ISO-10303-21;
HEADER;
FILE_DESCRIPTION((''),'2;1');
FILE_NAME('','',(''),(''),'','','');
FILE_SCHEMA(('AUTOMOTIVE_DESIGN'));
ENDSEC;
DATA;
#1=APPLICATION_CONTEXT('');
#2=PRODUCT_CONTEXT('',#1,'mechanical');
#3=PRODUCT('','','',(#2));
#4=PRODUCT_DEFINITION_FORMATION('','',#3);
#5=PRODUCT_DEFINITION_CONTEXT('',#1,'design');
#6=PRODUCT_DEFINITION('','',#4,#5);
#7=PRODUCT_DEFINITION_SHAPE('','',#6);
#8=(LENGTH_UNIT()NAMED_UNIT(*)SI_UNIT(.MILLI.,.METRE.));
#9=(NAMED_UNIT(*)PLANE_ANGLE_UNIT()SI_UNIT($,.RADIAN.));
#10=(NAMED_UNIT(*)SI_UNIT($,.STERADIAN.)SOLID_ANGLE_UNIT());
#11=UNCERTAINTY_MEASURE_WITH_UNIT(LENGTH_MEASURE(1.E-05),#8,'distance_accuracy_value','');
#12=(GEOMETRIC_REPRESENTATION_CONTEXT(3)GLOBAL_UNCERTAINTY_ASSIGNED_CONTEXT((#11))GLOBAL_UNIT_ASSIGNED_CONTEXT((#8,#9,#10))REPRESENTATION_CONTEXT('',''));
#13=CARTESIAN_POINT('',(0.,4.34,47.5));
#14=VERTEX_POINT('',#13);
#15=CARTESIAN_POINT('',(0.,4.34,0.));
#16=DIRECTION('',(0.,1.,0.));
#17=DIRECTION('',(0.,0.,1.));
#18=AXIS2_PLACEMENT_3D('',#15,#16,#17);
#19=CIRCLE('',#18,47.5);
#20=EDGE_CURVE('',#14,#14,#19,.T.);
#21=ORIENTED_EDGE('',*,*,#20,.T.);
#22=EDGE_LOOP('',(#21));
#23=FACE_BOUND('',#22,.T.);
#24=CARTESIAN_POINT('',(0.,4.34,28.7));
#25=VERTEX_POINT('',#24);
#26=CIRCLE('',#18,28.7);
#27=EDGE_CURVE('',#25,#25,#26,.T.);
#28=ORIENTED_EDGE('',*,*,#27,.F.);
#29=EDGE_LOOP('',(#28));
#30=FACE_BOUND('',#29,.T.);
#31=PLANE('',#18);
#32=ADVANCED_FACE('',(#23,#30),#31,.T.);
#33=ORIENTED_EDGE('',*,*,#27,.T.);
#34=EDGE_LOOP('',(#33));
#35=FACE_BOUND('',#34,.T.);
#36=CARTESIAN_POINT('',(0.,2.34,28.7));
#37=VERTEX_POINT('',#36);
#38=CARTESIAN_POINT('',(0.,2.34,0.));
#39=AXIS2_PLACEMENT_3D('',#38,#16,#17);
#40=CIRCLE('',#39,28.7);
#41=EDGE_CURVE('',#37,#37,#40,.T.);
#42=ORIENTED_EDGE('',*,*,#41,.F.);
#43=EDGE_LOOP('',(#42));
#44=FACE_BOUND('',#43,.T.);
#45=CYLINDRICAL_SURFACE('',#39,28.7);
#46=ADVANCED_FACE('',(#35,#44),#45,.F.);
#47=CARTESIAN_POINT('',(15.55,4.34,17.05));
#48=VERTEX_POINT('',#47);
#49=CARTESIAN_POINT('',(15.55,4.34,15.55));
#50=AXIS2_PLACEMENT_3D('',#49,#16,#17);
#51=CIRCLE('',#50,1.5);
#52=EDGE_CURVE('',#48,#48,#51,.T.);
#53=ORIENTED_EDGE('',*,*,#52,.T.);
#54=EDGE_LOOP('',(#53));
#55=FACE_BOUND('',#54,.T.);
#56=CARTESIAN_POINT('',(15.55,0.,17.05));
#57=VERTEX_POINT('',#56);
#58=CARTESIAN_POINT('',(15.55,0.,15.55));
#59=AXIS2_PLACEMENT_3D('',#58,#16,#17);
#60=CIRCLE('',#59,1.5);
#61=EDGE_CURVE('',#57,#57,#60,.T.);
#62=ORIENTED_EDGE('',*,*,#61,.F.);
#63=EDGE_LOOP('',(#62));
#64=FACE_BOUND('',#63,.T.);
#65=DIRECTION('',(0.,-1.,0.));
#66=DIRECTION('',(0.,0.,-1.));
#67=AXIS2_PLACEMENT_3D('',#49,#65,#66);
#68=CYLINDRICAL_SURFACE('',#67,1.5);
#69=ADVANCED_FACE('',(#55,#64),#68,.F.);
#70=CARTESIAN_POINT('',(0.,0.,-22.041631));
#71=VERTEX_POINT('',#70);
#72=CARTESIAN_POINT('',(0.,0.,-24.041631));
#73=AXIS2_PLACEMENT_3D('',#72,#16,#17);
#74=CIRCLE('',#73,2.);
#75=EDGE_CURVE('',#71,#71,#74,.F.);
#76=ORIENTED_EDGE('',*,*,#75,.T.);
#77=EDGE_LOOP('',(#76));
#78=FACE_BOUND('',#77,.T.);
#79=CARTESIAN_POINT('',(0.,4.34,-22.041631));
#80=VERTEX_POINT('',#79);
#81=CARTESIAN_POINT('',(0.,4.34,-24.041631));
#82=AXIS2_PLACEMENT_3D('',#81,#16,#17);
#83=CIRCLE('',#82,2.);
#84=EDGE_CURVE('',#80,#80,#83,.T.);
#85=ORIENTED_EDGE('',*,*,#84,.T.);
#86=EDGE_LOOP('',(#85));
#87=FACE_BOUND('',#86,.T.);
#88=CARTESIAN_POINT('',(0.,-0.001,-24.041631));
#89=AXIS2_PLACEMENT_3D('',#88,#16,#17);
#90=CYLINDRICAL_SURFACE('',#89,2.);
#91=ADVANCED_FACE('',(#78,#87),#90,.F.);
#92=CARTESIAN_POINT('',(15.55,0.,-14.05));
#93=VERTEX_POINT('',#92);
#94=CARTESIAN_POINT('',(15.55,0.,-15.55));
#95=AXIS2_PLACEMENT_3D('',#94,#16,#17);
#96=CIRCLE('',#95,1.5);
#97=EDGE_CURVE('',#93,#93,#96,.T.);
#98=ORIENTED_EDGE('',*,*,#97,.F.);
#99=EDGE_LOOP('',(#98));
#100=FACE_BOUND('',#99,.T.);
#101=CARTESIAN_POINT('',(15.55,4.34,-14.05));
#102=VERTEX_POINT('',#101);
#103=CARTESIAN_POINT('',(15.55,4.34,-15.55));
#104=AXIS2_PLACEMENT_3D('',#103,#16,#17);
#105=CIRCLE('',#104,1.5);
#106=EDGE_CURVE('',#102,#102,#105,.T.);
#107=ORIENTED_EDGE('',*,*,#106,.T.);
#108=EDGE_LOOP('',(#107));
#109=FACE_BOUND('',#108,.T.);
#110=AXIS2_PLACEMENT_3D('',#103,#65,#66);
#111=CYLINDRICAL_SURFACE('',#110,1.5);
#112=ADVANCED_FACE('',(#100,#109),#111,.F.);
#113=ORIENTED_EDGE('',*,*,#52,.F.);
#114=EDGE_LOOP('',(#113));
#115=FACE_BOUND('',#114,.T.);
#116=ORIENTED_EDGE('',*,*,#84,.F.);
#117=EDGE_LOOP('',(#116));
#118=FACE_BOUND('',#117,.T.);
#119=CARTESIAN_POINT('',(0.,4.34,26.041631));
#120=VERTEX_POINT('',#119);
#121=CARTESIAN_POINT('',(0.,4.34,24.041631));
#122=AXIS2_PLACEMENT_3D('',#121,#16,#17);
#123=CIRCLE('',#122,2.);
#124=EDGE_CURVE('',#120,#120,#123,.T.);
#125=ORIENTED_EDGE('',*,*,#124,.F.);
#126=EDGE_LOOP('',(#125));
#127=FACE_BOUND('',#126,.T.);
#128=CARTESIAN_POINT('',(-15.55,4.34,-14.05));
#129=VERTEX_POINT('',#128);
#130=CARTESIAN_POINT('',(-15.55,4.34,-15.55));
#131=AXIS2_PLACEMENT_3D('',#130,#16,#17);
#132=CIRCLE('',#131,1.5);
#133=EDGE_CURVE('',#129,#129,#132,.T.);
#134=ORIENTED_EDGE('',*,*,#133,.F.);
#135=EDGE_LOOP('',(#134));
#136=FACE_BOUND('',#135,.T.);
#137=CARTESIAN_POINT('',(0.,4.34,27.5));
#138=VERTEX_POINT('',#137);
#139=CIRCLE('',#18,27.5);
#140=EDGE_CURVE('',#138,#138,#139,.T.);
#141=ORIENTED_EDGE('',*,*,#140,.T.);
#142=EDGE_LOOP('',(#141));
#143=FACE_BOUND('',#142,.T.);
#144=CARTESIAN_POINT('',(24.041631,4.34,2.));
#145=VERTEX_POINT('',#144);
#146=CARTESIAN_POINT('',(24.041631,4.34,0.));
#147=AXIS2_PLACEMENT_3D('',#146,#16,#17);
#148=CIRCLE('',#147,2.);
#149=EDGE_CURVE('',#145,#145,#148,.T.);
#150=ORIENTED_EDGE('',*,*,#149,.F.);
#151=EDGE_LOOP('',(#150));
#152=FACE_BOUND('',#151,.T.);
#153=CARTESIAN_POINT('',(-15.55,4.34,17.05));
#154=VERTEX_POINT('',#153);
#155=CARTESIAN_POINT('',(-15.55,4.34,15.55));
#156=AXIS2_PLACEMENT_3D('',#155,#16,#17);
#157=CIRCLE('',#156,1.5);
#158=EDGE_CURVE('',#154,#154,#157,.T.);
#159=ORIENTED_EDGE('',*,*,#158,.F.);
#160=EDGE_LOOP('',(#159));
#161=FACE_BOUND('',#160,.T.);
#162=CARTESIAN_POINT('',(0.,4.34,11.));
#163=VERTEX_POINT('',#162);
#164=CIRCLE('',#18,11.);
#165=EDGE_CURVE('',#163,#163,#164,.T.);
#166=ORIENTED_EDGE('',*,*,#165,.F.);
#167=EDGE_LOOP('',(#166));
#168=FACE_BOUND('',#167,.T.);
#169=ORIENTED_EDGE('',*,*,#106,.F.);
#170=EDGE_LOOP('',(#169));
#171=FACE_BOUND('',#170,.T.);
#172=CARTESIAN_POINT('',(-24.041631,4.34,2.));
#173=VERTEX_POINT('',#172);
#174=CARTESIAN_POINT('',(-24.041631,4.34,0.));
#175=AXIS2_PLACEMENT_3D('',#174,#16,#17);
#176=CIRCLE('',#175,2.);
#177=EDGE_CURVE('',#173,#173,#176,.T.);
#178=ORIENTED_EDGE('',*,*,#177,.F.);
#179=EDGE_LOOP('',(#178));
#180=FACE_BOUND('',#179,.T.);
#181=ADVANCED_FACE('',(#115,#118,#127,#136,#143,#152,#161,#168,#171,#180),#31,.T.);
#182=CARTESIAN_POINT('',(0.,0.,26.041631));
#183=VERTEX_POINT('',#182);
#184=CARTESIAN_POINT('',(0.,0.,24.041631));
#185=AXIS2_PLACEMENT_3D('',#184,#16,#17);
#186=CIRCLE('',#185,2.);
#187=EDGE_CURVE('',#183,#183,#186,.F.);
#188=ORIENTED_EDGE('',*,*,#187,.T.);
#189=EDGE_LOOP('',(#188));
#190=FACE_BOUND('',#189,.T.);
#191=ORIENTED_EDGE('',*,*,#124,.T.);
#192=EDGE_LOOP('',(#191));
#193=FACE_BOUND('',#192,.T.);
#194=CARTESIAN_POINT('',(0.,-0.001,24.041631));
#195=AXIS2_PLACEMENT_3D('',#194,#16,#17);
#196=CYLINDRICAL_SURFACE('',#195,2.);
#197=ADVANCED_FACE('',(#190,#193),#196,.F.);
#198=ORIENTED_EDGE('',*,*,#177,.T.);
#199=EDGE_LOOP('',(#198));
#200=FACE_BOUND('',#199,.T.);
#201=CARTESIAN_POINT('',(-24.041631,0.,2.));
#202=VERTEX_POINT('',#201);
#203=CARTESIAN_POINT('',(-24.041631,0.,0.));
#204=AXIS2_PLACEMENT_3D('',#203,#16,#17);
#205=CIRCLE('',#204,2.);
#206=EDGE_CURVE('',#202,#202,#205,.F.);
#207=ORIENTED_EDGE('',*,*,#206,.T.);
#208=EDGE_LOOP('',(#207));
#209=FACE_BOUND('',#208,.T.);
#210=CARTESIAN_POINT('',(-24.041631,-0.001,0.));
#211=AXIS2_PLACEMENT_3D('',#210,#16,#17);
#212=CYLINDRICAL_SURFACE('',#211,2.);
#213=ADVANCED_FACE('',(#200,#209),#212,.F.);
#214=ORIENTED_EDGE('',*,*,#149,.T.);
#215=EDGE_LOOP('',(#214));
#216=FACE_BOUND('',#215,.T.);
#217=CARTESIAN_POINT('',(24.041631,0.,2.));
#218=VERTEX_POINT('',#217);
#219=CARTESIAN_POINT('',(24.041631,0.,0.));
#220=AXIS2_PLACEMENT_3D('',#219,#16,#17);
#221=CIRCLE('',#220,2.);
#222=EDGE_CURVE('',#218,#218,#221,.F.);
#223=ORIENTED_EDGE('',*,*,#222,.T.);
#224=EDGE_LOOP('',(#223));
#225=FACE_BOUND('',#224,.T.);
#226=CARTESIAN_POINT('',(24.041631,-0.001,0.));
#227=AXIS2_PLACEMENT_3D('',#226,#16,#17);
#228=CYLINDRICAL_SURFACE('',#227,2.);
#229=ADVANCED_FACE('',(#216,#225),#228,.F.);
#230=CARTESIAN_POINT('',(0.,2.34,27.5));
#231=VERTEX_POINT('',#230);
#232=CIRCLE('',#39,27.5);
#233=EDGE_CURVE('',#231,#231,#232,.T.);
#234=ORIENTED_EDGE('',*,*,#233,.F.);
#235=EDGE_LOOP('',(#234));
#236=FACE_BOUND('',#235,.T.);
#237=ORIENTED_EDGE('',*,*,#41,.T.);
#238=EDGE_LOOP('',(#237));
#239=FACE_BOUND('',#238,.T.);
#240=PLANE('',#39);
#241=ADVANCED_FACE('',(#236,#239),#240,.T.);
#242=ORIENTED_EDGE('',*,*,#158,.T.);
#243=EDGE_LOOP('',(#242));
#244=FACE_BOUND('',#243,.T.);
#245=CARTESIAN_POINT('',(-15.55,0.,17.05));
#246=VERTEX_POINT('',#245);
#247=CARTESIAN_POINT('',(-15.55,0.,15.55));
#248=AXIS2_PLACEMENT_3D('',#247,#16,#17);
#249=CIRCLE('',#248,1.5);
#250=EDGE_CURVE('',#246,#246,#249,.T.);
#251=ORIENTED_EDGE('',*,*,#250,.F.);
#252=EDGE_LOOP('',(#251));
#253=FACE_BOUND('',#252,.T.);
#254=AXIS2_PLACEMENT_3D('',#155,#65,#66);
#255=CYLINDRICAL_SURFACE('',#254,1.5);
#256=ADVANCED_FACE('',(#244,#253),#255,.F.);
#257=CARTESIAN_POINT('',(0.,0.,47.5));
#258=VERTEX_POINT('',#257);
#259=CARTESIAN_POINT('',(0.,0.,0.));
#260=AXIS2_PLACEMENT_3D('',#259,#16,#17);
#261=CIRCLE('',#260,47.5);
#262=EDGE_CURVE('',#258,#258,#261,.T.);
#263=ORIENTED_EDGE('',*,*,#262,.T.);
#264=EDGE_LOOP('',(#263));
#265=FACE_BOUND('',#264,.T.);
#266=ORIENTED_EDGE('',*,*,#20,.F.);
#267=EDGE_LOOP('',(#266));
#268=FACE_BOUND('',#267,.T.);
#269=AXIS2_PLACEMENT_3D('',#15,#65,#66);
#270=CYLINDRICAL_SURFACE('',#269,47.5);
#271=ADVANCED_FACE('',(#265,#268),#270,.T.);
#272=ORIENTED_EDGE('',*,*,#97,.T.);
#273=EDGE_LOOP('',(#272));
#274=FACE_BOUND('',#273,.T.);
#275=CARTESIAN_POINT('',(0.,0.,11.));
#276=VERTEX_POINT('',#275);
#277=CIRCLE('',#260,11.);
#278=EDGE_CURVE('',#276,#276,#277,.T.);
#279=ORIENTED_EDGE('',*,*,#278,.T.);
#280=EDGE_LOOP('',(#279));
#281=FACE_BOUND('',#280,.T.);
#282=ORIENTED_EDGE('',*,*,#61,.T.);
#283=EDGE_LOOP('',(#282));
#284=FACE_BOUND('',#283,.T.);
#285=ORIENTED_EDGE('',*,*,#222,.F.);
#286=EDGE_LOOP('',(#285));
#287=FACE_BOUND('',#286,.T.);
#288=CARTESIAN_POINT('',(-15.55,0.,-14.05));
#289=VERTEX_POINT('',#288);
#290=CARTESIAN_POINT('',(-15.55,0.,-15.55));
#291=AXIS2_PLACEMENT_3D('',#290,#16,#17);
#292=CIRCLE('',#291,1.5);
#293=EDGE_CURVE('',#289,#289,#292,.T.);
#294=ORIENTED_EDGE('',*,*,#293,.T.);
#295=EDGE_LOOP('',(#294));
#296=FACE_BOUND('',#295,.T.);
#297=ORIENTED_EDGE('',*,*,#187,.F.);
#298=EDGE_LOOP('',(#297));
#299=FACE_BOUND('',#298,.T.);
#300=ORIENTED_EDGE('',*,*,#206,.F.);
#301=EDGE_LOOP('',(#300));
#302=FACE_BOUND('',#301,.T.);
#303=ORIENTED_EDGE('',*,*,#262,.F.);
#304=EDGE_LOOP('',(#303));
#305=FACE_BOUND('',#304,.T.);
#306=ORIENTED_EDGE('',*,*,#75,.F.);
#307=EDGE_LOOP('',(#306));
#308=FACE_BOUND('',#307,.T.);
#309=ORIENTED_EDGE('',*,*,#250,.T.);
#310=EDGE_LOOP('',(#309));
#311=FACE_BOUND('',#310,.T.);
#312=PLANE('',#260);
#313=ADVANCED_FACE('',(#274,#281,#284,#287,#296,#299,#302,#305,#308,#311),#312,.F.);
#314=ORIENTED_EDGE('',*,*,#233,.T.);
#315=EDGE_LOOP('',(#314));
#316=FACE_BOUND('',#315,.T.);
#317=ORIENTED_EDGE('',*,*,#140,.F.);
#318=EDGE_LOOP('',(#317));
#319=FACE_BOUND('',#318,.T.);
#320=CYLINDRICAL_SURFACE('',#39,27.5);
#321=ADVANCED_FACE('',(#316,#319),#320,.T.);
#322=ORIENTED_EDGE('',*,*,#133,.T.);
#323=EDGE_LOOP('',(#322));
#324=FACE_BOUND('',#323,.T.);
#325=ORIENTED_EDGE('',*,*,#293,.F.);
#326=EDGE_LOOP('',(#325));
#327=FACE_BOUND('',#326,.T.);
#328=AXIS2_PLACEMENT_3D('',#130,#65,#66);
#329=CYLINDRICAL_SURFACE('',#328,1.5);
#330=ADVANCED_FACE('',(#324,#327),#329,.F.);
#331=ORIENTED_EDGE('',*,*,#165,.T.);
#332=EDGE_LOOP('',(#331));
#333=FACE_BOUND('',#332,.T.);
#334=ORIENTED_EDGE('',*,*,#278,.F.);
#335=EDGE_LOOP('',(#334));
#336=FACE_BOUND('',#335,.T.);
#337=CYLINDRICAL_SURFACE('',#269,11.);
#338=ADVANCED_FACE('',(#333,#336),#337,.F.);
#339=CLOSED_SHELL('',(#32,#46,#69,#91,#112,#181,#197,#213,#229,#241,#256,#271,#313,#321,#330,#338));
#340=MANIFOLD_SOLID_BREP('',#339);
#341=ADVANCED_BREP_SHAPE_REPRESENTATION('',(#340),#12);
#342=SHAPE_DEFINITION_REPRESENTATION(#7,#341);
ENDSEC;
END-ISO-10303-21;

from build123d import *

# Parameters (mm, degrees)
SKETCH1_R           = 47.5
SKETCH1_R_2         = 11
SKETCH1_R_3         = 1.5
BOSS_EXTRUDE1_DEPTH = 4.34
SKETCH2_R           = 28.7
SKETCH2_R_2         = 27.5
CUT_EXTRUDE1_DEPTH  = 2
CUT_EXTRUDE2_REACH  = 6.34
SKETCH3_R           = 2


with BuildPart() as part:
    # Sketch1 → Boss-Extrude1 (new body)
    with BuildSketch(Plane(origin=(0, 0, 0), x_dir=(1, 0, 0), z_dir=(0, 1, 0))):
        Circle(SKETCH1_R)
        Circle(SKETCH1_R_2, mode=Mode.SUBTRACT)
        with Locations((15.55, 15.55)):
            Circle(SKETCH1_R_3, mode=Mode.SUBTRACT)
        with Locations((15.55, -15.55)):
            Circle(SKETCH1_R_3, mode=Mode.SUBTRACT)
        with Locations((-15.55, -15.55)):
            Circle(SKETCH1_R_3, mode=Mode.SUBTRACT)
        with Locations((-15.55, 15.55)):
            Circle(SKETCH1_R_3, mode=Mode.SUBTRACT)
    extrude(amount=BOSS_EXTRUDE1_DEPTH)

    # Sketch2 → Cut-Extrude1 (cut)
    with BuildSketch(Plane(origin=(0, 4.34, 0), x_dir=(1, 0, 0), z_dir=(0, 1, 0))):
        Circle(SKETCH2_R)
        Circle(SKETCH2_R_2, mode=Mode.SUBTRACT)
    extrude(amount=-CUT_EXTRUDE1_DEPTH, mode=Mode.SUBTRACT)

    # Sketch3 → Cut-Extrude2 (cut, up to next)
    with BuildSketch(Plane(origin=(0, 4.34, 0), x_dir=(1, 0, 0), z_dir=(0, 1, 0)), mode=Mode.PRIVATE) as cut_extrude2_sk1:
        with Locations((24.04163056, 0)):
            Circle(SKETCH3_R)
    cut_extrude2_tool1 = extrude(cut_extrude2_sk1.sketch, amount=-CUT_EXTRUDE2_REACH, mode=Mode.PRIVATE) & part.part
    add(cut_extrude2_tool1.solids().sort_by_distance((24.041631, 4.34, 0))[0], mode=Mode.SUBTRACT)
    # Sketch3 → Cut-Extrude2 (cut, up to next)
    with BuildSketch(Plane(origin=(0, 4.34, 0), x_dir=(1, 0, 0), z_dir=(0, 1, 0)), mode=Mode.PRIVATE) as cut_extrude2_sk2:
        with Locations((0, -24.04163056)):
            Circle(SKETCH3_R)
    cut_extrude2_tool2 = extrude(cut_extrude2_sk2.sketch, amount=-CUT_EXTRUDE2_REACH, mode=Mode.PRIVATE) & part.part
    add(cut_extrude2_tool2.solids().sort_by_distance((0, 4.34, 24.041631))[0], mode=Mode.SUBTRACT)
    # Sketch3 → Cut-Extrude2 (cut, up to next)
    with BuildSketch(Plane(origin=(0, 4.34, 0), x_dir=(1, 0, 0), z_dir=(0, 1, 0)), mode=Mode.PRIVATE) as cut_extrude2_sk3:
        with Locations((-24.04163056, 0)):
            Circle(SKETCH3_R)
    cut_extrude2_tool3 = extrude(cut_extrude2_sk3.sketch, amount=-CUT_EXTRUDE2_REACH, mode=Mode.PRIVATE) & part.part
    add(cut_extrude2_tool3.solids().sort_by_distance((-24.041631, 4.34, 0))[0], mode=Mode.SUBTRACT)
    # Sketch3 → Cut-Extrude2 (cut, up to next)
    with BuildSketch(Plane(origin=(0, 4.34, 0), x_dir=(1, 0, 0), z_dir=(0, 1, 0)), mode=Mode.PRIVATE) as cut_extrude2_sk4:
        with Locations((0, 24.04163056)):
            Circle(SKETCH3_R)
    cut_extrude2_tool4 = extrude(cut_extrude2_sk4.sketch, amount=-CUT_EXTRUDE2_REACH, mode=Mode.PRIVATE) & part.part
    add(cut_extrude2_tool4.solids().sort_by_distance((0, 4.34, -24.041631))[0], mode=Mode.SUBTRACT)


solid = part.part
